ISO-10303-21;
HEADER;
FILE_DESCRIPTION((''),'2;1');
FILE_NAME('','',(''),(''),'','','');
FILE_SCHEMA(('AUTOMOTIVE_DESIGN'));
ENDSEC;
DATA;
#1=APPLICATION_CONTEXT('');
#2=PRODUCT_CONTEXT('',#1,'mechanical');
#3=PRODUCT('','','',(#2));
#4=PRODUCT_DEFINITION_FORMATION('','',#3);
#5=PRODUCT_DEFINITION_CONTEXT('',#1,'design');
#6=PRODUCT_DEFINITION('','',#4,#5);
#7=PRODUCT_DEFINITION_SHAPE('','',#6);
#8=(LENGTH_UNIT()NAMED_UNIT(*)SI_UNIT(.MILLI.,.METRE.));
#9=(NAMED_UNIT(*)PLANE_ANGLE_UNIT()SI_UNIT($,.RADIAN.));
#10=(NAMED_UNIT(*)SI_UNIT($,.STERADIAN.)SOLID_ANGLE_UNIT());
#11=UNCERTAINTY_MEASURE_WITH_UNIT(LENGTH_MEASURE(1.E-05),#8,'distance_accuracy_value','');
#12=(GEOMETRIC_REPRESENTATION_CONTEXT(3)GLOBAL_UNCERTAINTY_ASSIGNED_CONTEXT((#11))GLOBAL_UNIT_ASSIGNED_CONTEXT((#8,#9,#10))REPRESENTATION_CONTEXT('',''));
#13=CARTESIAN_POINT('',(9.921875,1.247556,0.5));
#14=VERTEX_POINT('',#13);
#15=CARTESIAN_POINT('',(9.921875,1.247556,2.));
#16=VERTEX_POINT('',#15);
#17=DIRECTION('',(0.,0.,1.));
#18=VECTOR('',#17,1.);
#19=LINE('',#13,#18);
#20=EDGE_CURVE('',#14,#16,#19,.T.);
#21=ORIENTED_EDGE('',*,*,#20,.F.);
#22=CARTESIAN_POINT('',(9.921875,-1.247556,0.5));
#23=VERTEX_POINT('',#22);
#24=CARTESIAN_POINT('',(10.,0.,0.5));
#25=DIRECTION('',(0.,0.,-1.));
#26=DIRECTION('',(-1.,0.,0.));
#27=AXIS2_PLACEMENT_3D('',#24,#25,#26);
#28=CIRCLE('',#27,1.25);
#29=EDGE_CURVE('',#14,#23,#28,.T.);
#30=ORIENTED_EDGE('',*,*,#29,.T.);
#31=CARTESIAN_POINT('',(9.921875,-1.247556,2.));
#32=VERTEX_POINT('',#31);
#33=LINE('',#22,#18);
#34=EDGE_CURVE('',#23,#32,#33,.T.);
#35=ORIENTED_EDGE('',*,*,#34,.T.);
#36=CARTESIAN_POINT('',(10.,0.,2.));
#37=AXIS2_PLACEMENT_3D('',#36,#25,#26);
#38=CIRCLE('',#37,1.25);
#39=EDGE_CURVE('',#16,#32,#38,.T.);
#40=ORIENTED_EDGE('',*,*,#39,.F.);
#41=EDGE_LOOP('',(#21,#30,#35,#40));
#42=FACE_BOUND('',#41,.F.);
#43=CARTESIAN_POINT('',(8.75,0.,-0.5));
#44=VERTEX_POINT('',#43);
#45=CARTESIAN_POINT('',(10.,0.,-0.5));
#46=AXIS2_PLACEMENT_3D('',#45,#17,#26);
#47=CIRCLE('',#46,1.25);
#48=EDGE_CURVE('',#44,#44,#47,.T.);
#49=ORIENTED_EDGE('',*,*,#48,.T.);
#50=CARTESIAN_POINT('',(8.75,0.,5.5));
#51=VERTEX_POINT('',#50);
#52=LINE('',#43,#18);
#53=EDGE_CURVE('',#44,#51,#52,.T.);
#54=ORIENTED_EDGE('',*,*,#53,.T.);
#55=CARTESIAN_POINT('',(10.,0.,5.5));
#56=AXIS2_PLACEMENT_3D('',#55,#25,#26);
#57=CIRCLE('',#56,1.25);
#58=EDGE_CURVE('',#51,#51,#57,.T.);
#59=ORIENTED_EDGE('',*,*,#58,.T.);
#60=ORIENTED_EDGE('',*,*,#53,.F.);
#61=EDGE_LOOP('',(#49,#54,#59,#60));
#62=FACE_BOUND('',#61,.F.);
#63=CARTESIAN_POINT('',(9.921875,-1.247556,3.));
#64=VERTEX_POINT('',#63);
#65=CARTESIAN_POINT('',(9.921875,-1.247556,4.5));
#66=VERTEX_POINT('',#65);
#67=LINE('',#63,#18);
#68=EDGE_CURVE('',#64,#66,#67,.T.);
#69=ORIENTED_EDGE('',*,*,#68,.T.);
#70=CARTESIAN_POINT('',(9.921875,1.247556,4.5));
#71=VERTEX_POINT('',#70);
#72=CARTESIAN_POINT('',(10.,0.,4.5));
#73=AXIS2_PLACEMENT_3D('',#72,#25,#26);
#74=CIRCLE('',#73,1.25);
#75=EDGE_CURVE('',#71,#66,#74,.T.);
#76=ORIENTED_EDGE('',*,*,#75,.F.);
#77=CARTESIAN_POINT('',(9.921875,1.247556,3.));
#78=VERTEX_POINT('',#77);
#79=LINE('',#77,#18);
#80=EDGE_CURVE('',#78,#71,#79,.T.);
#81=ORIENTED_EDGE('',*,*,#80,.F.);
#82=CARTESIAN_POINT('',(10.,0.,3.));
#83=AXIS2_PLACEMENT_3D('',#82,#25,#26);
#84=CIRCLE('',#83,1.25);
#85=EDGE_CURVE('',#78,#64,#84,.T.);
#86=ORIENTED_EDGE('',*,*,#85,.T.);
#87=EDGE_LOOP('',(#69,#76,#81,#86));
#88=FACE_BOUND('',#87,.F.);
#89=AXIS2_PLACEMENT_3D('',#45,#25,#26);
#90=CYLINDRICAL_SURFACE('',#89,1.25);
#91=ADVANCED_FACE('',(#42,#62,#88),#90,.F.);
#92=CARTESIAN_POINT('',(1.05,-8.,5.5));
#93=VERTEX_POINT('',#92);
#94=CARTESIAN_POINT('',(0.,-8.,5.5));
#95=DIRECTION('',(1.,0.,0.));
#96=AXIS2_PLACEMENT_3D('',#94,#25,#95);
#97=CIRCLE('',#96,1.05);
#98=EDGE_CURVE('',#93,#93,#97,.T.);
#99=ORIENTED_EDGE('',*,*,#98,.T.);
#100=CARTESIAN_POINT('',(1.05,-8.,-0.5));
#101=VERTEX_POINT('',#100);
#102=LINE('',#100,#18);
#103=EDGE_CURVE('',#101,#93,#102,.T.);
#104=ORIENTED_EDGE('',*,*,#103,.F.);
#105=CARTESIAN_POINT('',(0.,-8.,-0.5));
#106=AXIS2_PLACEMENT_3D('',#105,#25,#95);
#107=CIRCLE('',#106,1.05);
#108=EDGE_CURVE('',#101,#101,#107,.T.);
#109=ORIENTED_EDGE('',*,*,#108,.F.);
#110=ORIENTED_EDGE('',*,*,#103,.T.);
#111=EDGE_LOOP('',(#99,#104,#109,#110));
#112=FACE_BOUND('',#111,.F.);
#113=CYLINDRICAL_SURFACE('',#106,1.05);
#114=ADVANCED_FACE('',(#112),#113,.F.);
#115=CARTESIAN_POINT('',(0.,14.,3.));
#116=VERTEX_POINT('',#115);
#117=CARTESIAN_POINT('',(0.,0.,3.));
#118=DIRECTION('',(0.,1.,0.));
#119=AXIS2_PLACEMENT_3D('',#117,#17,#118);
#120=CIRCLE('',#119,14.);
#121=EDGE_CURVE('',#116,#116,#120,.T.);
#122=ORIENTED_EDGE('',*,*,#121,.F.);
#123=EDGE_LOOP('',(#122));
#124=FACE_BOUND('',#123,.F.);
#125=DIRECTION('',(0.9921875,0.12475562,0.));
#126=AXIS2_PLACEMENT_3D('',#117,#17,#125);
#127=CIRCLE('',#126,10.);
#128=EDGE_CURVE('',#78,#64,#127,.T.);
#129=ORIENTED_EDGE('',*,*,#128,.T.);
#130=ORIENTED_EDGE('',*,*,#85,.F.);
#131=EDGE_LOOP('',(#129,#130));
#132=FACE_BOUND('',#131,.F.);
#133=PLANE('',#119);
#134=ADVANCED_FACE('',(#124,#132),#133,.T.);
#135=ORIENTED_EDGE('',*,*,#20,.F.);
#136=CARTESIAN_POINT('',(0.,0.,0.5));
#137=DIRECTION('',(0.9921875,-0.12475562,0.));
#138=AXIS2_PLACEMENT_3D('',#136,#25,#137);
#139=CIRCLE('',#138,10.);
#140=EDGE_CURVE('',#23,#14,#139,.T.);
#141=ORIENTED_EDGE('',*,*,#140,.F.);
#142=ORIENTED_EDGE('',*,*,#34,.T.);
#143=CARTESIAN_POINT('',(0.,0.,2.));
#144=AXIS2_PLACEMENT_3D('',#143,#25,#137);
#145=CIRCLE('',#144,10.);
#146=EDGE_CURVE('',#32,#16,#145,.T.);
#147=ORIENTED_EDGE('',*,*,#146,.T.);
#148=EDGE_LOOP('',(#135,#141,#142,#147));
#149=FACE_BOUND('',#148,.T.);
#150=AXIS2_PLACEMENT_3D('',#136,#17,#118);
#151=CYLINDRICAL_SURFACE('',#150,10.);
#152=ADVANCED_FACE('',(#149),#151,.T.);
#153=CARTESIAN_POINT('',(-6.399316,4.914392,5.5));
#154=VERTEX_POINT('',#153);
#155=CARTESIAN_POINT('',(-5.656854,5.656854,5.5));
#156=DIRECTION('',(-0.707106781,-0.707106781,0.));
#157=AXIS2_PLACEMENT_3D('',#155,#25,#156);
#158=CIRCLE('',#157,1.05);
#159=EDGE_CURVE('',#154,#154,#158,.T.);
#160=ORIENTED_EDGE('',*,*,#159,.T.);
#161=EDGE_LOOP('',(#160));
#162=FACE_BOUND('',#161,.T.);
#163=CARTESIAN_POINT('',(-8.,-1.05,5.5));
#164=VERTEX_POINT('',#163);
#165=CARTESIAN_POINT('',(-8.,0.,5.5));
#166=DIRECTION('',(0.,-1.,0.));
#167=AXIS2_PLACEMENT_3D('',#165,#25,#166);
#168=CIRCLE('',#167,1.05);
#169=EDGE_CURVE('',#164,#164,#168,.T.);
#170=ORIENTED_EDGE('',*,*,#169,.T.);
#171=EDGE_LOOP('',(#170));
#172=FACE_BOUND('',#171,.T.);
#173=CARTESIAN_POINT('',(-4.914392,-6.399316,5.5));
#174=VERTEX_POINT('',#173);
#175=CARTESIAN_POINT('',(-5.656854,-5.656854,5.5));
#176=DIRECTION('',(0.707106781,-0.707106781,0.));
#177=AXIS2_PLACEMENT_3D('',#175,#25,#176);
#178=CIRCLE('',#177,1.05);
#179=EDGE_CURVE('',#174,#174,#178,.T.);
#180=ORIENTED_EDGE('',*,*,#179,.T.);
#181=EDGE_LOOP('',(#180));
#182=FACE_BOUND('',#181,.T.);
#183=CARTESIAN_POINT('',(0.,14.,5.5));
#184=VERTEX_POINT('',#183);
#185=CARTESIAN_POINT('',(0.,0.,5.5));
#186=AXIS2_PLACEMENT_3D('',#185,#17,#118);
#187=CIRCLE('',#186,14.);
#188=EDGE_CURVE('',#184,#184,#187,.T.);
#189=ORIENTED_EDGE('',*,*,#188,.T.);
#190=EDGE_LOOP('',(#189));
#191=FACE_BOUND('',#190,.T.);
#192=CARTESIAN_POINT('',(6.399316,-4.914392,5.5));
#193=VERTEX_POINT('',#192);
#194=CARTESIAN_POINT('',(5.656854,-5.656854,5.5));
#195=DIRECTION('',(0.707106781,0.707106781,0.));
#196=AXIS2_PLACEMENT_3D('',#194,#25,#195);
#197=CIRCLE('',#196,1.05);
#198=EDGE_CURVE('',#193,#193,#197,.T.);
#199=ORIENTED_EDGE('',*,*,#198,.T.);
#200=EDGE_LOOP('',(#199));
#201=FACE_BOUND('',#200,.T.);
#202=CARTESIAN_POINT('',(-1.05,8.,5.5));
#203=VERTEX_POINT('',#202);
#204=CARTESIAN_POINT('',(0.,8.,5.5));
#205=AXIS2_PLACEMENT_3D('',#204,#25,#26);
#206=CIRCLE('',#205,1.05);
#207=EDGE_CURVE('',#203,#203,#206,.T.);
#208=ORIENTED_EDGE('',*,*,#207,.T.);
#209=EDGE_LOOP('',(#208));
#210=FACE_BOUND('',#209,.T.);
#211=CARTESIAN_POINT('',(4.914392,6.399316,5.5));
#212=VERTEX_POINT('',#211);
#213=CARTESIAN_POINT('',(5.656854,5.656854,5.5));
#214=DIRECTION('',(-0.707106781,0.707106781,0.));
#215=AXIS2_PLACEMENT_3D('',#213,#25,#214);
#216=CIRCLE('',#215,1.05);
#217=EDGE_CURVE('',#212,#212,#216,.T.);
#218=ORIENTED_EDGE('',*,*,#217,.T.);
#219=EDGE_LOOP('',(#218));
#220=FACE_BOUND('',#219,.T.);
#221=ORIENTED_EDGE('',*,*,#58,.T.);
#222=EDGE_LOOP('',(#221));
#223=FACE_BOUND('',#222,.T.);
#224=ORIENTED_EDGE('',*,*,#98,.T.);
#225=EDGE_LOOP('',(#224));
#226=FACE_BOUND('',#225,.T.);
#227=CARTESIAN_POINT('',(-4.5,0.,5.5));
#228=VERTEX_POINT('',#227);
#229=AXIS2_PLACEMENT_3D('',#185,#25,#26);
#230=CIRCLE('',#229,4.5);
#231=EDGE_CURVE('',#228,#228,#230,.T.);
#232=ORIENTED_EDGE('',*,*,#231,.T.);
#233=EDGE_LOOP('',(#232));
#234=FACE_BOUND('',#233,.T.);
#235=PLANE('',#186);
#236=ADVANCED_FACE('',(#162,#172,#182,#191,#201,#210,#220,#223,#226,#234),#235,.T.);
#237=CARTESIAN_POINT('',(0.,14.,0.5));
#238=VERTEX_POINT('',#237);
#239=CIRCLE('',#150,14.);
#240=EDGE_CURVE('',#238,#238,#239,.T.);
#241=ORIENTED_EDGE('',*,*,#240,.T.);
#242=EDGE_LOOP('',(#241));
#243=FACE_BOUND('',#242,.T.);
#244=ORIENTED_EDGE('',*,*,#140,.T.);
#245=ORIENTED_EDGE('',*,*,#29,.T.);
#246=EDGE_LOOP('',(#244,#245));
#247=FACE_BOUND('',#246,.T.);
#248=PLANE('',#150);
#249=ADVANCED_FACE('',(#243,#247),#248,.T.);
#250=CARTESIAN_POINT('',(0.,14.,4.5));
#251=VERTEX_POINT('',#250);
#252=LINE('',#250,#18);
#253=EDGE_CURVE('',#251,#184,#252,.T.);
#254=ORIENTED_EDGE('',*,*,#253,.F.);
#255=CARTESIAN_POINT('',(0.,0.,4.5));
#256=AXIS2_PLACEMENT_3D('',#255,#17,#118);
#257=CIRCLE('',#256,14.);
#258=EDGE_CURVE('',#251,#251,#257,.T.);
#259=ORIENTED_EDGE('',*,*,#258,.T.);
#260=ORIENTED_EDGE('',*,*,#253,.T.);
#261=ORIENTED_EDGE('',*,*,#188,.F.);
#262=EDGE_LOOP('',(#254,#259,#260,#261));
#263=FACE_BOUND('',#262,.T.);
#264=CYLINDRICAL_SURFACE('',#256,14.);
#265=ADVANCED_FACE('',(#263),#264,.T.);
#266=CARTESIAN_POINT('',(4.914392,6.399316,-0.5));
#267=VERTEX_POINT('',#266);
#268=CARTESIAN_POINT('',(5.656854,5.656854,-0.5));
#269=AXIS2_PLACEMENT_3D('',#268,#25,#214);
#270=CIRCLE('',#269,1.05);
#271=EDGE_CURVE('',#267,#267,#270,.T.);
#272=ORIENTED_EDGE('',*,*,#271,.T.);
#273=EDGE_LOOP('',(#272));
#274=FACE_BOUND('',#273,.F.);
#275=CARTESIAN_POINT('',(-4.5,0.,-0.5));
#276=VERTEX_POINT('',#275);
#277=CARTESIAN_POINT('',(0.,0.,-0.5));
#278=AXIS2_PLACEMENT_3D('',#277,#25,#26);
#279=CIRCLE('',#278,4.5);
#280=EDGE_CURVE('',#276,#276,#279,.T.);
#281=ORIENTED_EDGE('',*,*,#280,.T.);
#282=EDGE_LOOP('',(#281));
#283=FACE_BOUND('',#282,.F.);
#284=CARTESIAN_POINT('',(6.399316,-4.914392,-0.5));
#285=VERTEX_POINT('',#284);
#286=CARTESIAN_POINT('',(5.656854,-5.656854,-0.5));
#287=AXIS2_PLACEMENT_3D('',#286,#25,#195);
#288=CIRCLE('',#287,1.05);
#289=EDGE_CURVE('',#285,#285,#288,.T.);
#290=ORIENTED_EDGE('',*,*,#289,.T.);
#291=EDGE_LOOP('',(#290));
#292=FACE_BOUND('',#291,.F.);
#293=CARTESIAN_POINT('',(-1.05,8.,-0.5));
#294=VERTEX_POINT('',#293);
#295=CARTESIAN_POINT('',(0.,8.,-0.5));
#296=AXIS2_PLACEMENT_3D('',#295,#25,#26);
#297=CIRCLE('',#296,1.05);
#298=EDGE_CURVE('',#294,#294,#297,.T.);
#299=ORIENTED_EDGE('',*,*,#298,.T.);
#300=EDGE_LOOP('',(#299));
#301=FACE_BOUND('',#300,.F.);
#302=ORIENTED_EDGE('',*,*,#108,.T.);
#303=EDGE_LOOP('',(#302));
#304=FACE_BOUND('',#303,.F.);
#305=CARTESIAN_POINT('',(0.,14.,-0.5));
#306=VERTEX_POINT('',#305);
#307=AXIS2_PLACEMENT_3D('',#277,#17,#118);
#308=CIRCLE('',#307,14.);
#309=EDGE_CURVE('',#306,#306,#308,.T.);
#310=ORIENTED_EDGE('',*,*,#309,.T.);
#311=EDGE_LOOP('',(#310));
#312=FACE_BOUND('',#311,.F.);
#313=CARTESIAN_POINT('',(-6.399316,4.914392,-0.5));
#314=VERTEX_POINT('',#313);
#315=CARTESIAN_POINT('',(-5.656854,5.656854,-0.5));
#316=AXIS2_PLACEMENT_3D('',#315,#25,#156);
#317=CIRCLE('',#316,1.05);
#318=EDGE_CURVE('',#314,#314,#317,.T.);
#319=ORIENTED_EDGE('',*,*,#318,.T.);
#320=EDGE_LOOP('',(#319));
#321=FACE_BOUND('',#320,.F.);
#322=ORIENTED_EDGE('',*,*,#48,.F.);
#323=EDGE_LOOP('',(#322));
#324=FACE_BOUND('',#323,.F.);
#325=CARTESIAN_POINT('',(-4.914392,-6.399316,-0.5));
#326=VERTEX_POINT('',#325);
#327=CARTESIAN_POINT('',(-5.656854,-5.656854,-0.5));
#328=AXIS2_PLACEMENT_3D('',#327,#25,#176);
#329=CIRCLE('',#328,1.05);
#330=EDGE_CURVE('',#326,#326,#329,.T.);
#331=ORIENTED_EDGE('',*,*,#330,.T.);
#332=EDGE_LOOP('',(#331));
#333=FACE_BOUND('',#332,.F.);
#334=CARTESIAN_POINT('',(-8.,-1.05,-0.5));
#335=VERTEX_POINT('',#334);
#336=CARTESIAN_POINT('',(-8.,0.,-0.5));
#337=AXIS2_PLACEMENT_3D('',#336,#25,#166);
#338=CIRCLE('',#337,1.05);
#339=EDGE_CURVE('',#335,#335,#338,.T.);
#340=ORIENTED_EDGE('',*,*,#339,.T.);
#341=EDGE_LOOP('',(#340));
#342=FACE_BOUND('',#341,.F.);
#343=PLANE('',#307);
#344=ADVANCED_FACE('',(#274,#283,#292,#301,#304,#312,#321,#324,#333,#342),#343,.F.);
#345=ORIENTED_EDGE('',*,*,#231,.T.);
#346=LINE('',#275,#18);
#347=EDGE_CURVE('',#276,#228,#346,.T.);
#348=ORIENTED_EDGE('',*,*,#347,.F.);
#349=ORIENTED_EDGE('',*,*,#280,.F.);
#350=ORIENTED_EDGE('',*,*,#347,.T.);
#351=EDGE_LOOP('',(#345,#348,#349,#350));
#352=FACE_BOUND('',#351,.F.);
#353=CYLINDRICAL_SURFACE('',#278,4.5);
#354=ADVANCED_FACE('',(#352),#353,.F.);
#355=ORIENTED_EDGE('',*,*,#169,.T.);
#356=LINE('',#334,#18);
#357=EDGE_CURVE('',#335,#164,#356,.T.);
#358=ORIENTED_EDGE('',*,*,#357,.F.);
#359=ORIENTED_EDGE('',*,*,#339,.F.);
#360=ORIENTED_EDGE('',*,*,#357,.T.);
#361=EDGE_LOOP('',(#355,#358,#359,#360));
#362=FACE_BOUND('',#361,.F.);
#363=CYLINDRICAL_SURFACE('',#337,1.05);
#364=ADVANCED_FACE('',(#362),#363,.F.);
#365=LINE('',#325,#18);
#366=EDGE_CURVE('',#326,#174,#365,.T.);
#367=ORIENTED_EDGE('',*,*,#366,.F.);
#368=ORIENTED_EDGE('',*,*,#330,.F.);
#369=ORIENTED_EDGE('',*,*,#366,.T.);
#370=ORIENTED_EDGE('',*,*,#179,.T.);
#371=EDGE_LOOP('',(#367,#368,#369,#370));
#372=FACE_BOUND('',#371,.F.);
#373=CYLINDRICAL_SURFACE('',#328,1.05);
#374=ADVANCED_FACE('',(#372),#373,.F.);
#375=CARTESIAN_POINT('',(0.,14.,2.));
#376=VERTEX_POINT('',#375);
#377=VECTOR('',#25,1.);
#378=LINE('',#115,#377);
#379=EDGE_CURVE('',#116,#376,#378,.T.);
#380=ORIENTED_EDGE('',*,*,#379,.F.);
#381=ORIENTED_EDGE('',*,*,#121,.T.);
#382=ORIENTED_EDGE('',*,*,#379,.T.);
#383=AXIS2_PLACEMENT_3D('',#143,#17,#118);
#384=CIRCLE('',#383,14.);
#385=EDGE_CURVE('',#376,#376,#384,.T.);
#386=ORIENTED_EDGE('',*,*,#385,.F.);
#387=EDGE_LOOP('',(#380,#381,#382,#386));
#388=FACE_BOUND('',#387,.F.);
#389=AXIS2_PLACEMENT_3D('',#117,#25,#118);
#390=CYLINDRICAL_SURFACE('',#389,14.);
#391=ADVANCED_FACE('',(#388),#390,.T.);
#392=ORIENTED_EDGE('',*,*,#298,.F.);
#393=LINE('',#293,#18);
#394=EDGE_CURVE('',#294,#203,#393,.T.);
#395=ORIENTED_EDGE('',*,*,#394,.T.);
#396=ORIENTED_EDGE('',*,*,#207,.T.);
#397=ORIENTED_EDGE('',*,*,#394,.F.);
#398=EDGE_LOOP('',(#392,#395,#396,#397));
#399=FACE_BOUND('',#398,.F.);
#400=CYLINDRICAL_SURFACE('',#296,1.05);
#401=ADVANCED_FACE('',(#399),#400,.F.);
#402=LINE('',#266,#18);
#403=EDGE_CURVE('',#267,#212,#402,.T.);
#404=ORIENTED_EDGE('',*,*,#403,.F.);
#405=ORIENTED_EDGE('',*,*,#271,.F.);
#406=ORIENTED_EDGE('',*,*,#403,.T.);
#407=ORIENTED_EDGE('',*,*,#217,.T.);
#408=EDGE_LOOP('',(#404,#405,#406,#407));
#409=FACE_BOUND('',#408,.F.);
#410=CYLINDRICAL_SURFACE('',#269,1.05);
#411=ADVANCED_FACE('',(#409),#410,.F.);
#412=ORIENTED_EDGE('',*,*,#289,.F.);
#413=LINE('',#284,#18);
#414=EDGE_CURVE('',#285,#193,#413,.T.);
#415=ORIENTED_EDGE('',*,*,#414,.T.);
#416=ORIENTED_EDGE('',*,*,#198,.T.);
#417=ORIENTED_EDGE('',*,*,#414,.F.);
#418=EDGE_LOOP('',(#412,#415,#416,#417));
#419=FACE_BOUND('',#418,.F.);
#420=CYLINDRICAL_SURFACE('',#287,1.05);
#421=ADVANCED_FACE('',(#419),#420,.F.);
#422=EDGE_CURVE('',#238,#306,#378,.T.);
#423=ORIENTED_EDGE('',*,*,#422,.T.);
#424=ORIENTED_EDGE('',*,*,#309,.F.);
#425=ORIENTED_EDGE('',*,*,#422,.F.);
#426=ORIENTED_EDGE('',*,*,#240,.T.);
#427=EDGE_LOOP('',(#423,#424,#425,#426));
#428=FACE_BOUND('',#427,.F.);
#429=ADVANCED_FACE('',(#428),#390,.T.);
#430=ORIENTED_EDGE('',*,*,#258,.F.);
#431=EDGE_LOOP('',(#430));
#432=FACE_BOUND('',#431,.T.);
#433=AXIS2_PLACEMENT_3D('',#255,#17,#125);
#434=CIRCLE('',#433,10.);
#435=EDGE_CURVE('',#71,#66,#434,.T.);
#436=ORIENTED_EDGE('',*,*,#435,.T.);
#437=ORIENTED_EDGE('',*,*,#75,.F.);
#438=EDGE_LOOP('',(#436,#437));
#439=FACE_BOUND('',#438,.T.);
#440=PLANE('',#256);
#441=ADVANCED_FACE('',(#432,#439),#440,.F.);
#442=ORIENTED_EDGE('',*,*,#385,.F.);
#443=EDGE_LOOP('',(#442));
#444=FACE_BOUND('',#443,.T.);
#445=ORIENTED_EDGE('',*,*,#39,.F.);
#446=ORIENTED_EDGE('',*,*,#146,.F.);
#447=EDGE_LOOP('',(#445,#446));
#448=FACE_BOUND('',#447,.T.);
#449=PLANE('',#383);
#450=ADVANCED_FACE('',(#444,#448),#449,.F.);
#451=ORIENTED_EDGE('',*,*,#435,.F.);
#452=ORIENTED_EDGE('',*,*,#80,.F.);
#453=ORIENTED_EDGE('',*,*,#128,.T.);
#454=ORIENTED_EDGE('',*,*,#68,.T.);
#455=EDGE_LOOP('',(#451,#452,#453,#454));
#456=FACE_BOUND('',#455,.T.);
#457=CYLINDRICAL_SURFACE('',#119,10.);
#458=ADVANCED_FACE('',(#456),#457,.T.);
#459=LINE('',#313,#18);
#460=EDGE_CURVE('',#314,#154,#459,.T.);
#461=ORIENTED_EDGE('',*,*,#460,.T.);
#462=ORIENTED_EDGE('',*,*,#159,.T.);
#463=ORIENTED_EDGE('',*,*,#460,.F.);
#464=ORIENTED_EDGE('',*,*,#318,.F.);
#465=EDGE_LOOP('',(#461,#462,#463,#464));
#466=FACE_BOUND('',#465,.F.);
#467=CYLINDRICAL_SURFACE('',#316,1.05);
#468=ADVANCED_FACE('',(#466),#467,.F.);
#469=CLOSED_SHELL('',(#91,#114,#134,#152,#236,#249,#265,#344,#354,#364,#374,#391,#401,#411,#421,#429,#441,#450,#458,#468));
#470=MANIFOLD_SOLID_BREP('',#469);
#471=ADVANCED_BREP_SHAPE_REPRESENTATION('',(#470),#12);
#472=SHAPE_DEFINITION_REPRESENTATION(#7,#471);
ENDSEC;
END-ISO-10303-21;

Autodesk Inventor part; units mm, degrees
ref_plane "YZ Plane" through (0, 0, 0) normal (1, 0, 0) x (0, 1, 0)
ref_plane "XZ Plane" through (0, 0, 0) normal (0, 1, 0) x (-1, 0, 0)
ref_plane "XY Plane" through (0, 0, 0) normal (0, 0, 1) x (1, 0, 0)
sketch "Sketch1" plane through (0, 0, 0) normal (1, 0, 0) x (0, 1, 0)
  line L0 (0, 3) -> (14, 3)
  line L1 (14, 3) -> (14, -0.5)
  line L2 (14, -0.5) -> (0, -0.5)
  line L3 (0, -0.5) -> (0, 3)
  line L4 (0, -1.7) -> (0, 6.7) projected
  line L5 (14, 2) -> (14, 0.5)
  line L6 (14, 0.5) -> (10, 0.5)
  line L7 (10, 0.5) -> (10, 2)
  line L8 (10, 2) -> (14, 2)
  line L9 (10, 3) -> (10, 4.5)
  line L10 (10, 4.5) -> (14, 4.5)
  line L11 (14, 4.5) -> (14, 5.5)
  line L12 (14, 5.5) -> (0, 5.5)
  point P0 (0, 0)
  dimension "d0" = 3.5
  dimension "d1" = 3
  dimension "d2" = 14
  dimension "d4" = 1
  dimension "d5" = 1
  dimension "d19" = 4
  dimension "d26" = 1.5
  dimension "d27" = 1
revolve "Revolution1" add sketch "Sketch1" angle 360 about axis through (0, 0, -10) along (0, 0, 1) contours L4 L12 L11 L10 L9 L0 | L0 L1 L8 L7 L6 L2 L3
sketch "Sketch2" plane through (0, 0, -0.5) normal (0, 0, -1) x (-1, 0, 0)
  circle A0 centre (0, 8) radius 1.05
  circle A1 centre (0, 0) radius 4.5
  dimension "d7" = 2.1
  dimension "d8" = 8
  dimension "d9" = 9
extrude "Extrusion1" cut sketch "Sketch2" against normal blind 100
pattern_circular "Circular Pattern1" count 8 over 360 about axis through (0, 0, -10) along (0, 0, 1) of "Extrusion1"
sketch "Sketch3" plane through (0, 0, -0.5) normal (0, 0, -1) x (-1, 0, 0)
  circle A0 centre (-10, 0) radius 1.25
  circle A1 centre (-8, 0) radius 1.05 projected
  point P0 (0, 0)
  point P1 (-8.885, -0.565)
  point P2 (-8.885, 0.565)
  dimension "d15" = 2.5
  dimension "d16" = 10
extrude "Extrusion2" add sketch "Sketch3" against normal blind 6
extrude "Extrusion5" cut sketch "Sketch3" against normal blind 100 contours A0 A1 | A1 A0 picked at (-8.9455, 0) picked at (-10.5022, 0.1399)
properties part number "Motor_pulley"
